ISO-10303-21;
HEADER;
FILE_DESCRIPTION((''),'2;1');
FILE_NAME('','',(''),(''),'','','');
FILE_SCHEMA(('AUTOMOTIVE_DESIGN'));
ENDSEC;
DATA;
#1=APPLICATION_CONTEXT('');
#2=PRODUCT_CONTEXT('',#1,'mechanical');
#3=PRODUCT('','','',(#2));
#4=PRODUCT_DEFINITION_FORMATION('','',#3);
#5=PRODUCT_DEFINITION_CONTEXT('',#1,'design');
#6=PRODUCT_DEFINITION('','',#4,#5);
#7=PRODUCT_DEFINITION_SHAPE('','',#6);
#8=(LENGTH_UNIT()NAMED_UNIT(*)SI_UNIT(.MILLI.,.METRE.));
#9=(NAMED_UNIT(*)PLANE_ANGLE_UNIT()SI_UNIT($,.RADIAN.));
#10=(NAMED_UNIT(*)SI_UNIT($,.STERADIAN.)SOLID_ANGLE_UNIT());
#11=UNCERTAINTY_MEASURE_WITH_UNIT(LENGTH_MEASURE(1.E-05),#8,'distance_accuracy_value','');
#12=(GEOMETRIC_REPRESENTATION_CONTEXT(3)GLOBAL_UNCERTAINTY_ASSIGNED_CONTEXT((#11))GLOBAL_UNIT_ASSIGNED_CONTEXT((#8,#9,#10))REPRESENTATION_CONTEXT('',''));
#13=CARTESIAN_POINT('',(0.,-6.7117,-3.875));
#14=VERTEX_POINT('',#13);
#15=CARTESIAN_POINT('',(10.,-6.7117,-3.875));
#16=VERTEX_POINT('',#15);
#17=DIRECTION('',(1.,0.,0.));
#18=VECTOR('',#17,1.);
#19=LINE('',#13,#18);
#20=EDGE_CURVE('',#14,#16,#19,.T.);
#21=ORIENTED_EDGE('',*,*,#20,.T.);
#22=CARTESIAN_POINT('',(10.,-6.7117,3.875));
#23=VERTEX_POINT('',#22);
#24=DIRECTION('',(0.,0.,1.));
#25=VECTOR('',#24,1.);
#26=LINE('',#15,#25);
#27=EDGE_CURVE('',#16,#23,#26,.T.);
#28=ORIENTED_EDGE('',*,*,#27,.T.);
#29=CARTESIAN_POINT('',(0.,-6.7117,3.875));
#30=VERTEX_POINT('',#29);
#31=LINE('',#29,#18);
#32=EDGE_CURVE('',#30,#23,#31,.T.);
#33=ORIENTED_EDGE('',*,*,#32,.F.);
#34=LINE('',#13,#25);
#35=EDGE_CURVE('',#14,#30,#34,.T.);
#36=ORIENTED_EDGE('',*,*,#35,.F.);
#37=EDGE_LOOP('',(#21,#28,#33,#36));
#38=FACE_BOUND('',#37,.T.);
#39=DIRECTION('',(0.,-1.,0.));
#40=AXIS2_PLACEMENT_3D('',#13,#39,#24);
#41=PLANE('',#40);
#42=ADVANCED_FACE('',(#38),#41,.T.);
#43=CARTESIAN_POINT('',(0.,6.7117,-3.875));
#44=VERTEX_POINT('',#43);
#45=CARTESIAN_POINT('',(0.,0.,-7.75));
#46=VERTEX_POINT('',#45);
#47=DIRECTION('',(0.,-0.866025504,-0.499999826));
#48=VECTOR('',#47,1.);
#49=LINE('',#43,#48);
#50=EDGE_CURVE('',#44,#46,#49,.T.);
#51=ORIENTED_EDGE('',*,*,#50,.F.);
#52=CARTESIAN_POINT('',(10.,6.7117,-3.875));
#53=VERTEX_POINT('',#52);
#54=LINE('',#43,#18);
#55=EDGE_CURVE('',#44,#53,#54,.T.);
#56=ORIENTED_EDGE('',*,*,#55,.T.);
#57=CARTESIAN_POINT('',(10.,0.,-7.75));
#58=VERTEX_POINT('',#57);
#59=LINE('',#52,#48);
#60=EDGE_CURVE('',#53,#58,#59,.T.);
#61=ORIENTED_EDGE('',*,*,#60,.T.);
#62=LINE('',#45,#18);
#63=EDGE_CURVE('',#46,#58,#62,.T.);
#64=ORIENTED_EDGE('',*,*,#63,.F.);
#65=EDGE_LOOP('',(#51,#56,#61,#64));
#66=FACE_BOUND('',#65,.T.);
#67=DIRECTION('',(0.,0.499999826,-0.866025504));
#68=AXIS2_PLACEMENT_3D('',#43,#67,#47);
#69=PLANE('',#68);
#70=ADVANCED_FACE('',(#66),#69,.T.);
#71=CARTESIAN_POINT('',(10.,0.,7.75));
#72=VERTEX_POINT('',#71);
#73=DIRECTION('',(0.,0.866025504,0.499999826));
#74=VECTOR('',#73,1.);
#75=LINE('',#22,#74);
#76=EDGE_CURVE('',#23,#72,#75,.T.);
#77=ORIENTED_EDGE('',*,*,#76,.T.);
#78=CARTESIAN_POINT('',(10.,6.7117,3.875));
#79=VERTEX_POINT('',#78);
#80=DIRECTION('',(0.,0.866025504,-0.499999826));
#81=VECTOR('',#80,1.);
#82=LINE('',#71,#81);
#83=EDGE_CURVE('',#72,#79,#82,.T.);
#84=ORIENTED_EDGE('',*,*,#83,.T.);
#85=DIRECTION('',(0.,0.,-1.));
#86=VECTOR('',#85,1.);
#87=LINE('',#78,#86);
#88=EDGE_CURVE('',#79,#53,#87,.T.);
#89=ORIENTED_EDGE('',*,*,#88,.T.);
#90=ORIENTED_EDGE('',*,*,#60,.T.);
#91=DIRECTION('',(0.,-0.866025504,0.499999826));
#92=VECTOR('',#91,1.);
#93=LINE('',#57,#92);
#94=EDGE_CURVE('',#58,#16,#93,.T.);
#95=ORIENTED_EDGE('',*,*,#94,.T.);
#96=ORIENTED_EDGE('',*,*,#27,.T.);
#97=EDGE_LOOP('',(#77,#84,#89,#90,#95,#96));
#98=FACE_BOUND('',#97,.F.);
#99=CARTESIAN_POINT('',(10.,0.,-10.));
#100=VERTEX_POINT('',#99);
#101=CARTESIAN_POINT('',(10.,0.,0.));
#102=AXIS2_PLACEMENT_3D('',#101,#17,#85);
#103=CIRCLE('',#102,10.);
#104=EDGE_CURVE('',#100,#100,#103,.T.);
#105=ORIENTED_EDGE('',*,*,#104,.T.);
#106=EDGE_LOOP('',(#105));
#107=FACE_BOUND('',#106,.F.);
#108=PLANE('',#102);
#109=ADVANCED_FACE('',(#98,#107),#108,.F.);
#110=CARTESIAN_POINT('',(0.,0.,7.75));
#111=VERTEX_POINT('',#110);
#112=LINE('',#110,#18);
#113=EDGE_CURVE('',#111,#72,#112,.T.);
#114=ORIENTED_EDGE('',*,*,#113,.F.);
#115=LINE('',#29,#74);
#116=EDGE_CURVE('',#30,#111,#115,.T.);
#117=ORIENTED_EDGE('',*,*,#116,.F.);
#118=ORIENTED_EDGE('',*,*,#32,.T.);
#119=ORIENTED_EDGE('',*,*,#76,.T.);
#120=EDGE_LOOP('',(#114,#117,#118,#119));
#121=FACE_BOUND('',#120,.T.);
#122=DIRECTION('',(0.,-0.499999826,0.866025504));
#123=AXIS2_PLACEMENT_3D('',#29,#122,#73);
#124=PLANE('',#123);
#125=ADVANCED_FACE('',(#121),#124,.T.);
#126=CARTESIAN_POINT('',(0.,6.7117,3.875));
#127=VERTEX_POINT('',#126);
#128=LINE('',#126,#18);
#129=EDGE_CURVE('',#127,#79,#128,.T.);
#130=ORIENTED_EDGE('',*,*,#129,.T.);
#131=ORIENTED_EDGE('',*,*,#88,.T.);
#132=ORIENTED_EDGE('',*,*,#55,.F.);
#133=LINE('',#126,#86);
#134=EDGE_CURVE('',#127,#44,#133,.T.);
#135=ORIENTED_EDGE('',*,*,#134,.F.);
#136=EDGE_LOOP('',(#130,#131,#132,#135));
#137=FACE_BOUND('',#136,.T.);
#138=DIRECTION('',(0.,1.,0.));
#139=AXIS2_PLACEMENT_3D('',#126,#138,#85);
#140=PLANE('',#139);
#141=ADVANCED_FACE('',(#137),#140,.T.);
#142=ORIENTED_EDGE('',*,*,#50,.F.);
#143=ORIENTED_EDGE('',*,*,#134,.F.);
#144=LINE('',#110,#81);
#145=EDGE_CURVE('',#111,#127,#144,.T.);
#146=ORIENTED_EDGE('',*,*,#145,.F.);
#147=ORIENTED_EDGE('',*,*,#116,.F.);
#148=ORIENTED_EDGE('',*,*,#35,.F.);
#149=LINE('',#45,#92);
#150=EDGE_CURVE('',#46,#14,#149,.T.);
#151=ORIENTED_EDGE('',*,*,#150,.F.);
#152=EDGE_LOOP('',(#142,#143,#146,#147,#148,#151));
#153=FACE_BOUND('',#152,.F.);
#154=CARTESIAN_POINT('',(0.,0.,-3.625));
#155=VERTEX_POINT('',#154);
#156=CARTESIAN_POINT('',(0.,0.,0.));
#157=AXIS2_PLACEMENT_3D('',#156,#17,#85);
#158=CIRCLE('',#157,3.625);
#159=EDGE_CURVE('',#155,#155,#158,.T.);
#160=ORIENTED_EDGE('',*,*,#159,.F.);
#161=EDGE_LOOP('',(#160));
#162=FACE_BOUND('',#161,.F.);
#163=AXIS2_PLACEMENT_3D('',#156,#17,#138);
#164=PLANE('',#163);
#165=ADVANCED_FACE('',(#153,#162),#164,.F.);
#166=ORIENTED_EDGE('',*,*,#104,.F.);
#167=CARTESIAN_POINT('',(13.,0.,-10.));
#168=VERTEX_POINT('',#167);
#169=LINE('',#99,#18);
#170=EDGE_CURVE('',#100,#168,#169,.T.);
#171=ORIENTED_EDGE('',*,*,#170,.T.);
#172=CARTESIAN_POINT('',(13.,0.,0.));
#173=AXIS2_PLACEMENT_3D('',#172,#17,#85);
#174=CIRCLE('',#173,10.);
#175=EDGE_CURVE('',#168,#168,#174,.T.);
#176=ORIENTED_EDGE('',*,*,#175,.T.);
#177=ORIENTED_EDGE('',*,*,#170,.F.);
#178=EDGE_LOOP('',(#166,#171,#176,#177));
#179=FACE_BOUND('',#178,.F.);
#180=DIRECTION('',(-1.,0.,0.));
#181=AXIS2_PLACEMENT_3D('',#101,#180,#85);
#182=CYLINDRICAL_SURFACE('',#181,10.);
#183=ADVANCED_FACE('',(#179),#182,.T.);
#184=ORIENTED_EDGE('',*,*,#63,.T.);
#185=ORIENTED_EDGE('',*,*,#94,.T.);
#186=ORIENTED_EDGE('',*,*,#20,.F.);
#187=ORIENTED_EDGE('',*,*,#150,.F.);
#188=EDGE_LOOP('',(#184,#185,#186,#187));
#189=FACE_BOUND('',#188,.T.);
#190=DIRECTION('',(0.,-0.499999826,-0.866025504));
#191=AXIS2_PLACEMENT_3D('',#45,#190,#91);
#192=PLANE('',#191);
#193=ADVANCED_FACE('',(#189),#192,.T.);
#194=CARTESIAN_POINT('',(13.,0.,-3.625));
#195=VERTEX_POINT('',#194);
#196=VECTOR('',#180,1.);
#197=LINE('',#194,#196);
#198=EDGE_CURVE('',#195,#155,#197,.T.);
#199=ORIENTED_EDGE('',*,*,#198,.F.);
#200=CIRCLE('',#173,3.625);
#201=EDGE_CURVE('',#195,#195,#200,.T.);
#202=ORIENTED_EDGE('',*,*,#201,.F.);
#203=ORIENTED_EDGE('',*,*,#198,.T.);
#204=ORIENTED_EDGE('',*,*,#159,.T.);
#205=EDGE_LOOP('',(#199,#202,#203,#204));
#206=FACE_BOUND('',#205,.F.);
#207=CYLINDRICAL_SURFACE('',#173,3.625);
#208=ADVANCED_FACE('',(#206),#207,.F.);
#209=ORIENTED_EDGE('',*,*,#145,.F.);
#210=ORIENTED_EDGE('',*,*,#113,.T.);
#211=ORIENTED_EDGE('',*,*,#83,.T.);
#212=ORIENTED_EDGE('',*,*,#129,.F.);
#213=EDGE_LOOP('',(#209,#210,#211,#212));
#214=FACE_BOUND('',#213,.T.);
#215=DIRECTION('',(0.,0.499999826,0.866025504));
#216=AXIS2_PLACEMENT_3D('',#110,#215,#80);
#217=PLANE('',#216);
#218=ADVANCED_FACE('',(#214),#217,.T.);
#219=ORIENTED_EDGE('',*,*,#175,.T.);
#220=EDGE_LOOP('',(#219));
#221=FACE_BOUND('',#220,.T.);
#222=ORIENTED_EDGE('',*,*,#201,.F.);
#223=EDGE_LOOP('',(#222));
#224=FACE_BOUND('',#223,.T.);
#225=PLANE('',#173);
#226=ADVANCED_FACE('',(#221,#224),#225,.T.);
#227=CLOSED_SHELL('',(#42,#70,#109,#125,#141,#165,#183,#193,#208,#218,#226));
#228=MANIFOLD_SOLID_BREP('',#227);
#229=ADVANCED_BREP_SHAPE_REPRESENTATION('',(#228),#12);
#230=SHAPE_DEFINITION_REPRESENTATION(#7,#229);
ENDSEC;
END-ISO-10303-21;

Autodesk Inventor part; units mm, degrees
ref_plane "YZ Plane" through (0, 0, 0) normal (1, 0, 0) x (0, 1, 0)
ref_plane "XZ Plane" through (0, 0, 0) normal (0, 1, 0) x (-1, 0, 0)
ref_plane "XY Plane" through (0, 0, 0) normal (0, 0, 1) x (1, 0, 0)
sketch "Sketch1" plane through (0, 0, 0) normal (1, 0, 0) x (0, 1, 0)
  line L0 (0, 0) -> (0, 7.75) construction
  line L1 (0, 7.75) -> (6.7117, 3.875)
  line L2 (6.7117, 3.875) -> (6.7117, -3.875)
  line L3 (6.7117, -3.875) -> (0, -7.75)
  line L4 (0, -7.75) -> (-6.7117, -3.875)
  line L5 (-6.7117, -3.875) -> (-6.7117, 3.875)
  line L6 (-6.7117, 3.875) -> (0, 7.75)
  dimension "d0" = 7.75
extrude "Extrusion1" add sketch "Sketch1" along normal blind 10
sketch "Sketch2" plane through (10, 0, 0) normal (1, 0, 0) x (0, 0, -1)
  circle A0 centre (0, 0) radius 10
  dimension "d3" = 20
extrude "Extrusion2" add sketch "Sketch2" along normal blind 3
sketch "Sketch3" plane through (13, 0, 0) normal (1, 0, 0) x (0, 0, -1)
  circle A0 centre (0, 0) radius 3.625
  dimension "d6" = 7.25
extrude "Extrusion3" cut sketch "Sketch3" against normal blind 15
properties part number "smallHub 9-25"
